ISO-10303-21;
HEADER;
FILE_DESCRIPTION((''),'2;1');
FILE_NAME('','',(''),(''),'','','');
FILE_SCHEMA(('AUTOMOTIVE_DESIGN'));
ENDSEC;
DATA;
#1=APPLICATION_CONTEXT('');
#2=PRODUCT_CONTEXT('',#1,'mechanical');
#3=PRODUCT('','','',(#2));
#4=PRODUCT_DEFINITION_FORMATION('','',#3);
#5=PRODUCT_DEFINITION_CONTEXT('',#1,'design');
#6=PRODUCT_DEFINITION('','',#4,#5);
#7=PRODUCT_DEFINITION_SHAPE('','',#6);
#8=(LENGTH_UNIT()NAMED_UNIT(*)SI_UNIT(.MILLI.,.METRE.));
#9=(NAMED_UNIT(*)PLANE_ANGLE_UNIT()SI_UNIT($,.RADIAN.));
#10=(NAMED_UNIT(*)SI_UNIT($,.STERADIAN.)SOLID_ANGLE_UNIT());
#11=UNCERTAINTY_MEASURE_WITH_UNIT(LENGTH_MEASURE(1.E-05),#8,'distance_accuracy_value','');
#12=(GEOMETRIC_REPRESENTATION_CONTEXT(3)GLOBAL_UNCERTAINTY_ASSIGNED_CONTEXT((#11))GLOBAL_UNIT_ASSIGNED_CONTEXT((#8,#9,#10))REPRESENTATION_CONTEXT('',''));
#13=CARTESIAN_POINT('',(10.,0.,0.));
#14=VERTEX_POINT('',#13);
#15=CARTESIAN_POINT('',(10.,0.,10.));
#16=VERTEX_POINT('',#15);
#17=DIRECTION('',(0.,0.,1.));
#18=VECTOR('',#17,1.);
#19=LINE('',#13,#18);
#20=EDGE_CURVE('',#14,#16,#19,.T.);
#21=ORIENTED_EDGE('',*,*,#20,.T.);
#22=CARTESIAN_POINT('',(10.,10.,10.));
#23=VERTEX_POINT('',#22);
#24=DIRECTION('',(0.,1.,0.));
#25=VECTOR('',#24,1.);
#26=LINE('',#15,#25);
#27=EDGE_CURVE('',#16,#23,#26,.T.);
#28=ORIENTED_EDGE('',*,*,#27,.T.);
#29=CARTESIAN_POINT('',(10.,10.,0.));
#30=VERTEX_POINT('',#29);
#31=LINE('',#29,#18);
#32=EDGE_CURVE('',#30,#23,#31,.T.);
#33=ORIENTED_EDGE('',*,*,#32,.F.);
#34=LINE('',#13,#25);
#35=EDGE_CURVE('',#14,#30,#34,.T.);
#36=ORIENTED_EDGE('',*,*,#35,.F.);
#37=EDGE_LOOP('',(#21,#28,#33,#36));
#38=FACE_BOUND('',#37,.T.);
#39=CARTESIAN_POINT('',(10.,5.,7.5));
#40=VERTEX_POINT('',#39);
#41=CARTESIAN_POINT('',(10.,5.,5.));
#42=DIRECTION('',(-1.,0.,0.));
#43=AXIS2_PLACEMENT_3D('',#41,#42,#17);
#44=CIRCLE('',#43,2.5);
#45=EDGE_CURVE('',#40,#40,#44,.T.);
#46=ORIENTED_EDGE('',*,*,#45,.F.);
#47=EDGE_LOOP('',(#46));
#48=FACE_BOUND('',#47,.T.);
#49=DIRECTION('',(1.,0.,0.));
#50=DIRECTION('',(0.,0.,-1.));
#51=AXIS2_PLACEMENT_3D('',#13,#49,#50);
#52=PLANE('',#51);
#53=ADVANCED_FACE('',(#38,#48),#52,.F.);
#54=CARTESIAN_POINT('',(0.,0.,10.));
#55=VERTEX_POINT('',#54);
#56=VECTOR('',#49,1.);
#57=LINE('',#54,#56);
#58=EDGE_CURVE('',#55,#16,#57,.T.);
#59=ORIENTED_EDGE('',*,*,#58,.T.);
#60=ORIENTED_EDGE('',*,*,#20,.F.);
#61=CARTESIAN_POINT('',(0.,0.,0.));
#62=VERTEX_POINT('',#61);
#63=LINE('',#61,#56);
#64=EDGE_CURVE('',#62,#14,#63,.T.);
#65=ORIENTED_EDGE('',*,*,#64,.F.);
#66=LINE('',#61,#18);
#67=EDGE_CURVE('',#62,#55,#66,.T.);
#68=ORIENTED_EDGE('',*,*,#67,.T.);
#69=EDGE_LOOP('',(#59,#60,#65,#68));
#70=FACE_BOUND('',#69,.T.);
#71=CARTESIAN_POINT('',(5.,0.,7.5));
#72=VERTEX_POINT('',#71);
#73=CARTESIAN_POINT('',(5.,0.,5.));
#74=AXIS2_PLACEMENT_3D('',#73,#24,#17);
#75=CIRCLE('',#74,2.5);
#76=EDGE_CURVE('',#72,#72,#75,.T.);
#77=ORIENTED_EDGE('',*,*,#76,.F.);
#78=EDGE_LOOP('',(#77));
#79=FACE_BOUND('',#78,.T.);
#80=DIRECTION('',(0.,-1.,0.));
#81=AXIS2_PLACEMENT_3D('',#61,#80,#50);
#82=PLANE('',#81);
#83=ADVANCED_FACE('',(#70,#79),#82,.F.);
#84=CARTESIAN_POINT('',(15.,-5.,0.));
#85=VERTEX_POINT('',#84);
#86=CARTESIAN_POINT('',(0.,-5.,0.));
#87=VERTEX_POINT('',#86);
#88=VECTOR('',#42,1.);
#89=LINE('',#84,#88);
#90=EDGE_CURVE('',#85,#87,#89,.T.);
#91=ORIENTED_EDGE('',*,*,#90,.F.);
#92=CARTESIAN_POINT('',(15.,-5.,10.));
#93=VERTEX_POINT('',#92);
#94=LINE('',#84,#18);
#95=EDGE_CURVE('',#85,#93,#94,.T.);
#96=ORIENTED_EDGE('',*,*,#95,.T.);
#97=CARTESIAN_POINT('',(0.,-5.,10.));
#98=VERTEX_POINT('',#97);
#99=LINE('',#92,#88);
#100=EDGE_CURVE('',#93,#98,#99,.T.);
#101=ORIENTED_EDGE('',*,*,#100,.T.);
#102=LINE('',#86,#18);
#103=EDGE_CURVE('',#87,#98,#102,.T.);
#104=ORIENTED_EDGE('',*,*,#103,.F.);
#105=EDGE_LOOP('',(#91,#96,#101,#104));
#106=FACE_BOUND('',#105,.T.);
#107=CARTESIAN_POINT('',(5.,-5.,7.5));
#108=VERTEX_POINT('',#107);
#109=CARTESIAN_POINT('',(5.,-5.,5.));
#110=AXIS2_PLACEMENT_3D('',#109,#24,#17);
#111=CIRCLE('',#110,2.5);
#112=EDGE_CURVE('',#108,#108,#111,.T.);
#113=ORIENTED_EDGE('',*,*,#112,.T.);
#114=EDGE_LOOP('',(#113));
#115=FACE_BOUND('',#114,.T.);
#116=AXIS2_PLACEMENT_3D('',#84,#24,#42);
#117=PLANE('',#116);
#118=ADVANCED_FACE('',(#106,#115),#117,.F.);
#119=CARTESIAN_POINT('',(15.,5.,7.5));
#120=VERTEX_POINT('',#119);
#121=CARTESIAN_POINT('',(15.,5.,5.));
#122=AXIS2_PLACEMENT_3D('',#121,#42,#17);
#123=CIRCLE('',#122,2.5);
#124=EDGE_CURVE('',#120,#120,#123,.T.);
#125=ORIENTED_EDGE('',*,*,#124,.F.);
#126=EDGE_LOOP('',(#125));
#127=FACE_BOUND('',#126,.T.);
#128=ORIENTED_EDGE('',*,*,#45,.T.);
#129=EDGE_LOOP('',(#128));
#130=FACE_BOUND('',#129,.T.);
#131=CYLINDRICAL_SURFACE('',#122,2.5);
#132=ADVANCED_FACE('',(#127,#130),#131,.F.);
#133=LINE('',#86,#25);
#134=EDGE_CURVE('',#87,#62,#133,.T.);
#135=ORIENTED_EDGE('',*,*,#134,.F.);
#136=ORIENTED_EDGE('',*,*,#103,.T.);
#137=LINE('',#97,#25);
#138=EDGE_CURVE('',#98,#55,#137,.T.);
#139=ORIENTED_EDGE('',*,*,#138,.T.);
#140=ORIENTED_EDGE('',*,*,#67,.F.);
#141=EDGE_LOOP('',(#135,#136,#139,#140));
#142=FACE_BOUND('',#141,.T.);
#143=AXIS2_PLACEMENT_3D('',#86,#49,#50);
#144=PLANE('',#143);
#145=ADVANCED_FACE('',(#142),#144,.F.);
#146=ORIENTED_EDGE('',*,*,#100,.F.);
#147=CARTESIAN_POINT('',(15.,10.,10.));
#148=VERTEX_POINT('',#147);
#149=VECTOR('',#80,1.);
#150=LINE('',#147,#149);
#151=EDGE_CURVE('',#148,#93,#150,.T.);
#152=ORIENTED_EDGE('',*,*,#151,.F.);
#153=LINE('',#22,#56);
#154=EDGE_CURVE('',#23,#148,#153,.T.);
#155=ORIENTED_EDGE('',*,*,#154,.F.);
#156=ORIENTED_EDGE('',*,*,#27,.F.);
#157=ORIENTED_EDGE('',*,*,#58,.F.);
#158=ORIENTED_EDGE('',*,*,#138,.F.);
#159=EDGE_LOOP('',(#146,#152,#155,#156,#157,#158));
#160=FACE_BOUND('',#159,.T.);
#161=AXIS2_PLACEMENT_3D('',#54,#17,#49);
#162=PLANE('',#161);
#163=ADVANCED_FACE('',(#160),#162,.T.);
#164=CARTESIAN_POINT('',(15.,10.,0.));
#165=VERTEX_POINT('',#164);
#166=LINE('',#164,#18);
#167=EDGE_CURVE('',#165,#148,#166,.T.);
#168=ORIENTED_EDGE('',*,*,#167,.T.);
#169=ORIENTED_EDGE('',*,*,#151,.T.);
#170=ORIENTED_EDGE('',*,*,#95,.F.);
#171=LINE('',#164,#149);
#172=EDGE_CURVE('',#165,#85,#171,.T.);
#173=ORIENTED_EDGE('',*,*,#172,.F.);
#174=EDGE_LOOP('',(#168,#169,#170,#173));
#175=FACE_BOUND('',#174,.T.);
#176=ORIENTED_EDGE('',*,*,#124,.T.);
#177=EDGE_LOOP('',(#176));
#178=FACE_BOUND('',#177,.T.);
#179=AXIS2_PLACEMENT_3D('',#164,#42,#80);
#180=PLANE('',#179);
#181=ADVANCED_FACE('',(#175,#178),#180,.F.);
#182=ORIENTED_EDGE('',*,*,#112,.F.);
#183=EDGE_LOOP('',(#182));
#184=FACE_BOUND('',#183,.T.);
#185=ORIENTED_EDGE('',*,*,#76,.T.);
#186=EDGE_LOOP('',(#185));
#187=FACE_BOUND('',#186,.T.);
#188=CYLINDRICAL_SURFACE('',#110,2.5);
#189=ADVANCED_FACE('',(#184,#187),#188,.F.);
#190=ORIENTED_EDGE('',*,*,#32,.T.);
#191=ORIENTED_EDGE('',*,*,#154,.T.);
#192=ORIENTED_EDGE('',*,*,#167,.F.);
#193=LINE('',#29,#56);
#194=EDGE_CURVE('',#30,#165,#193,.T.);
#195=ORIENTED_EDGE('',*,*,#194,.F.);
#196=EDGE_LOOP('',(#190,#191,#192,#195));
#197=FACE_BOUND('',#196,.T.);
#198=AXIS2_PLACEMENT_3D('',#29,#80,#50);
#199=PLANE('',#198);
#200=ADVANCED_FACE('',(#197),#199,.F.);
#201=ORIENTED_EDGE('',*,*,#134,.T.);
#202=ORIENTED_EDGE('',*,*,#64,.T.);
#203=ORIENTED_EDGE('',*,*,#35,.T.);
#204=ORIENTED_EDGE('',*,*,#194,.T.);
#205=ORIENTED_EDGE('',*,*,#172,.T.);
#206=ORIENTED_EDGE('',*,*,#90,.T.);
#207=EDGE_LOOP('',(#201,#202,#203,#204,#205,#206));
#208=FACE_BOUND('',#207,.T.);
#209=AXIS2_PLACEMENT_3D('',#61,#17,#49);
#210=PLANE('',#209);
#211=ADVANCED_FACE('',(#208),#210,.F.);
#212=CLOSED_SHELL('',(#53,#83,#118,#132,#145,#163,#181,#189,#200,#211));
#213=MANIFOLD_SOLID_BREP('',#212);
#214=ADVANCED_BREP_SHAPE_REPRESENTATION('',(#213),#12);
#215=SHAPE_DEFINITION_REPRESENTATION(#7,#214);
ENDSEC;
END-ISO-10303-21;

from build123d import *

# Parameters (mm, degrees)
BOSS_EXTRUDE1_DEPTH = 10
SKETCH4_R           = 2.5
CUT_EXTRUDE1_DEPTH  = 5
SKETCH5_R           = 2.5
CUT_EXTRUDE2_DEPTH  = 5


with BuildPart() as part:
    # 3DSketch1 → Boss-Extrude1 (new body)
    with BuildSketch(Plane(origin=(0, 0, 0), x_dir=(0.8320502943378437, 0.554700196225229, 0), z_dir=(0, 0, -1))):
        Polygon((0, 0), (8.320502943, 5.547001962), (13.867504906, -2.773500981), (18.027756377, 0), (9.707253434, 12.480754415), (-2.773500981, 4.160251472), align=None)
    extrude(amount=-BOSS_EXTRUDE1_DEPTH)

    # Sketch4 → Cut-Extrude1 (cut)
    with BuildSketch(Plane.ZY.offset(-10)):
        with Locations((5, 5)):
            Circle(SKETCH4_R)
    extrude(amount=-CUT_EXTRUDE1_DEPTH, mode=Mode.SUBTRACT)

    # Sketch5 → Cut-Extrude2 (cut)
    with BuildSketch(Plane(origin=(0, 0, 0), x_dir=(1, 0, 0), z_dir=(0, 1, 0))):
        with Locations(Location((5, -5, 0), (0, 0, 270))):
            Circle(SKETCH5_R)
    extrude(amount=-CUT_EXTRUDE2_DEPTH, mode=Mode.SUBTRACT)


solid = part.part
